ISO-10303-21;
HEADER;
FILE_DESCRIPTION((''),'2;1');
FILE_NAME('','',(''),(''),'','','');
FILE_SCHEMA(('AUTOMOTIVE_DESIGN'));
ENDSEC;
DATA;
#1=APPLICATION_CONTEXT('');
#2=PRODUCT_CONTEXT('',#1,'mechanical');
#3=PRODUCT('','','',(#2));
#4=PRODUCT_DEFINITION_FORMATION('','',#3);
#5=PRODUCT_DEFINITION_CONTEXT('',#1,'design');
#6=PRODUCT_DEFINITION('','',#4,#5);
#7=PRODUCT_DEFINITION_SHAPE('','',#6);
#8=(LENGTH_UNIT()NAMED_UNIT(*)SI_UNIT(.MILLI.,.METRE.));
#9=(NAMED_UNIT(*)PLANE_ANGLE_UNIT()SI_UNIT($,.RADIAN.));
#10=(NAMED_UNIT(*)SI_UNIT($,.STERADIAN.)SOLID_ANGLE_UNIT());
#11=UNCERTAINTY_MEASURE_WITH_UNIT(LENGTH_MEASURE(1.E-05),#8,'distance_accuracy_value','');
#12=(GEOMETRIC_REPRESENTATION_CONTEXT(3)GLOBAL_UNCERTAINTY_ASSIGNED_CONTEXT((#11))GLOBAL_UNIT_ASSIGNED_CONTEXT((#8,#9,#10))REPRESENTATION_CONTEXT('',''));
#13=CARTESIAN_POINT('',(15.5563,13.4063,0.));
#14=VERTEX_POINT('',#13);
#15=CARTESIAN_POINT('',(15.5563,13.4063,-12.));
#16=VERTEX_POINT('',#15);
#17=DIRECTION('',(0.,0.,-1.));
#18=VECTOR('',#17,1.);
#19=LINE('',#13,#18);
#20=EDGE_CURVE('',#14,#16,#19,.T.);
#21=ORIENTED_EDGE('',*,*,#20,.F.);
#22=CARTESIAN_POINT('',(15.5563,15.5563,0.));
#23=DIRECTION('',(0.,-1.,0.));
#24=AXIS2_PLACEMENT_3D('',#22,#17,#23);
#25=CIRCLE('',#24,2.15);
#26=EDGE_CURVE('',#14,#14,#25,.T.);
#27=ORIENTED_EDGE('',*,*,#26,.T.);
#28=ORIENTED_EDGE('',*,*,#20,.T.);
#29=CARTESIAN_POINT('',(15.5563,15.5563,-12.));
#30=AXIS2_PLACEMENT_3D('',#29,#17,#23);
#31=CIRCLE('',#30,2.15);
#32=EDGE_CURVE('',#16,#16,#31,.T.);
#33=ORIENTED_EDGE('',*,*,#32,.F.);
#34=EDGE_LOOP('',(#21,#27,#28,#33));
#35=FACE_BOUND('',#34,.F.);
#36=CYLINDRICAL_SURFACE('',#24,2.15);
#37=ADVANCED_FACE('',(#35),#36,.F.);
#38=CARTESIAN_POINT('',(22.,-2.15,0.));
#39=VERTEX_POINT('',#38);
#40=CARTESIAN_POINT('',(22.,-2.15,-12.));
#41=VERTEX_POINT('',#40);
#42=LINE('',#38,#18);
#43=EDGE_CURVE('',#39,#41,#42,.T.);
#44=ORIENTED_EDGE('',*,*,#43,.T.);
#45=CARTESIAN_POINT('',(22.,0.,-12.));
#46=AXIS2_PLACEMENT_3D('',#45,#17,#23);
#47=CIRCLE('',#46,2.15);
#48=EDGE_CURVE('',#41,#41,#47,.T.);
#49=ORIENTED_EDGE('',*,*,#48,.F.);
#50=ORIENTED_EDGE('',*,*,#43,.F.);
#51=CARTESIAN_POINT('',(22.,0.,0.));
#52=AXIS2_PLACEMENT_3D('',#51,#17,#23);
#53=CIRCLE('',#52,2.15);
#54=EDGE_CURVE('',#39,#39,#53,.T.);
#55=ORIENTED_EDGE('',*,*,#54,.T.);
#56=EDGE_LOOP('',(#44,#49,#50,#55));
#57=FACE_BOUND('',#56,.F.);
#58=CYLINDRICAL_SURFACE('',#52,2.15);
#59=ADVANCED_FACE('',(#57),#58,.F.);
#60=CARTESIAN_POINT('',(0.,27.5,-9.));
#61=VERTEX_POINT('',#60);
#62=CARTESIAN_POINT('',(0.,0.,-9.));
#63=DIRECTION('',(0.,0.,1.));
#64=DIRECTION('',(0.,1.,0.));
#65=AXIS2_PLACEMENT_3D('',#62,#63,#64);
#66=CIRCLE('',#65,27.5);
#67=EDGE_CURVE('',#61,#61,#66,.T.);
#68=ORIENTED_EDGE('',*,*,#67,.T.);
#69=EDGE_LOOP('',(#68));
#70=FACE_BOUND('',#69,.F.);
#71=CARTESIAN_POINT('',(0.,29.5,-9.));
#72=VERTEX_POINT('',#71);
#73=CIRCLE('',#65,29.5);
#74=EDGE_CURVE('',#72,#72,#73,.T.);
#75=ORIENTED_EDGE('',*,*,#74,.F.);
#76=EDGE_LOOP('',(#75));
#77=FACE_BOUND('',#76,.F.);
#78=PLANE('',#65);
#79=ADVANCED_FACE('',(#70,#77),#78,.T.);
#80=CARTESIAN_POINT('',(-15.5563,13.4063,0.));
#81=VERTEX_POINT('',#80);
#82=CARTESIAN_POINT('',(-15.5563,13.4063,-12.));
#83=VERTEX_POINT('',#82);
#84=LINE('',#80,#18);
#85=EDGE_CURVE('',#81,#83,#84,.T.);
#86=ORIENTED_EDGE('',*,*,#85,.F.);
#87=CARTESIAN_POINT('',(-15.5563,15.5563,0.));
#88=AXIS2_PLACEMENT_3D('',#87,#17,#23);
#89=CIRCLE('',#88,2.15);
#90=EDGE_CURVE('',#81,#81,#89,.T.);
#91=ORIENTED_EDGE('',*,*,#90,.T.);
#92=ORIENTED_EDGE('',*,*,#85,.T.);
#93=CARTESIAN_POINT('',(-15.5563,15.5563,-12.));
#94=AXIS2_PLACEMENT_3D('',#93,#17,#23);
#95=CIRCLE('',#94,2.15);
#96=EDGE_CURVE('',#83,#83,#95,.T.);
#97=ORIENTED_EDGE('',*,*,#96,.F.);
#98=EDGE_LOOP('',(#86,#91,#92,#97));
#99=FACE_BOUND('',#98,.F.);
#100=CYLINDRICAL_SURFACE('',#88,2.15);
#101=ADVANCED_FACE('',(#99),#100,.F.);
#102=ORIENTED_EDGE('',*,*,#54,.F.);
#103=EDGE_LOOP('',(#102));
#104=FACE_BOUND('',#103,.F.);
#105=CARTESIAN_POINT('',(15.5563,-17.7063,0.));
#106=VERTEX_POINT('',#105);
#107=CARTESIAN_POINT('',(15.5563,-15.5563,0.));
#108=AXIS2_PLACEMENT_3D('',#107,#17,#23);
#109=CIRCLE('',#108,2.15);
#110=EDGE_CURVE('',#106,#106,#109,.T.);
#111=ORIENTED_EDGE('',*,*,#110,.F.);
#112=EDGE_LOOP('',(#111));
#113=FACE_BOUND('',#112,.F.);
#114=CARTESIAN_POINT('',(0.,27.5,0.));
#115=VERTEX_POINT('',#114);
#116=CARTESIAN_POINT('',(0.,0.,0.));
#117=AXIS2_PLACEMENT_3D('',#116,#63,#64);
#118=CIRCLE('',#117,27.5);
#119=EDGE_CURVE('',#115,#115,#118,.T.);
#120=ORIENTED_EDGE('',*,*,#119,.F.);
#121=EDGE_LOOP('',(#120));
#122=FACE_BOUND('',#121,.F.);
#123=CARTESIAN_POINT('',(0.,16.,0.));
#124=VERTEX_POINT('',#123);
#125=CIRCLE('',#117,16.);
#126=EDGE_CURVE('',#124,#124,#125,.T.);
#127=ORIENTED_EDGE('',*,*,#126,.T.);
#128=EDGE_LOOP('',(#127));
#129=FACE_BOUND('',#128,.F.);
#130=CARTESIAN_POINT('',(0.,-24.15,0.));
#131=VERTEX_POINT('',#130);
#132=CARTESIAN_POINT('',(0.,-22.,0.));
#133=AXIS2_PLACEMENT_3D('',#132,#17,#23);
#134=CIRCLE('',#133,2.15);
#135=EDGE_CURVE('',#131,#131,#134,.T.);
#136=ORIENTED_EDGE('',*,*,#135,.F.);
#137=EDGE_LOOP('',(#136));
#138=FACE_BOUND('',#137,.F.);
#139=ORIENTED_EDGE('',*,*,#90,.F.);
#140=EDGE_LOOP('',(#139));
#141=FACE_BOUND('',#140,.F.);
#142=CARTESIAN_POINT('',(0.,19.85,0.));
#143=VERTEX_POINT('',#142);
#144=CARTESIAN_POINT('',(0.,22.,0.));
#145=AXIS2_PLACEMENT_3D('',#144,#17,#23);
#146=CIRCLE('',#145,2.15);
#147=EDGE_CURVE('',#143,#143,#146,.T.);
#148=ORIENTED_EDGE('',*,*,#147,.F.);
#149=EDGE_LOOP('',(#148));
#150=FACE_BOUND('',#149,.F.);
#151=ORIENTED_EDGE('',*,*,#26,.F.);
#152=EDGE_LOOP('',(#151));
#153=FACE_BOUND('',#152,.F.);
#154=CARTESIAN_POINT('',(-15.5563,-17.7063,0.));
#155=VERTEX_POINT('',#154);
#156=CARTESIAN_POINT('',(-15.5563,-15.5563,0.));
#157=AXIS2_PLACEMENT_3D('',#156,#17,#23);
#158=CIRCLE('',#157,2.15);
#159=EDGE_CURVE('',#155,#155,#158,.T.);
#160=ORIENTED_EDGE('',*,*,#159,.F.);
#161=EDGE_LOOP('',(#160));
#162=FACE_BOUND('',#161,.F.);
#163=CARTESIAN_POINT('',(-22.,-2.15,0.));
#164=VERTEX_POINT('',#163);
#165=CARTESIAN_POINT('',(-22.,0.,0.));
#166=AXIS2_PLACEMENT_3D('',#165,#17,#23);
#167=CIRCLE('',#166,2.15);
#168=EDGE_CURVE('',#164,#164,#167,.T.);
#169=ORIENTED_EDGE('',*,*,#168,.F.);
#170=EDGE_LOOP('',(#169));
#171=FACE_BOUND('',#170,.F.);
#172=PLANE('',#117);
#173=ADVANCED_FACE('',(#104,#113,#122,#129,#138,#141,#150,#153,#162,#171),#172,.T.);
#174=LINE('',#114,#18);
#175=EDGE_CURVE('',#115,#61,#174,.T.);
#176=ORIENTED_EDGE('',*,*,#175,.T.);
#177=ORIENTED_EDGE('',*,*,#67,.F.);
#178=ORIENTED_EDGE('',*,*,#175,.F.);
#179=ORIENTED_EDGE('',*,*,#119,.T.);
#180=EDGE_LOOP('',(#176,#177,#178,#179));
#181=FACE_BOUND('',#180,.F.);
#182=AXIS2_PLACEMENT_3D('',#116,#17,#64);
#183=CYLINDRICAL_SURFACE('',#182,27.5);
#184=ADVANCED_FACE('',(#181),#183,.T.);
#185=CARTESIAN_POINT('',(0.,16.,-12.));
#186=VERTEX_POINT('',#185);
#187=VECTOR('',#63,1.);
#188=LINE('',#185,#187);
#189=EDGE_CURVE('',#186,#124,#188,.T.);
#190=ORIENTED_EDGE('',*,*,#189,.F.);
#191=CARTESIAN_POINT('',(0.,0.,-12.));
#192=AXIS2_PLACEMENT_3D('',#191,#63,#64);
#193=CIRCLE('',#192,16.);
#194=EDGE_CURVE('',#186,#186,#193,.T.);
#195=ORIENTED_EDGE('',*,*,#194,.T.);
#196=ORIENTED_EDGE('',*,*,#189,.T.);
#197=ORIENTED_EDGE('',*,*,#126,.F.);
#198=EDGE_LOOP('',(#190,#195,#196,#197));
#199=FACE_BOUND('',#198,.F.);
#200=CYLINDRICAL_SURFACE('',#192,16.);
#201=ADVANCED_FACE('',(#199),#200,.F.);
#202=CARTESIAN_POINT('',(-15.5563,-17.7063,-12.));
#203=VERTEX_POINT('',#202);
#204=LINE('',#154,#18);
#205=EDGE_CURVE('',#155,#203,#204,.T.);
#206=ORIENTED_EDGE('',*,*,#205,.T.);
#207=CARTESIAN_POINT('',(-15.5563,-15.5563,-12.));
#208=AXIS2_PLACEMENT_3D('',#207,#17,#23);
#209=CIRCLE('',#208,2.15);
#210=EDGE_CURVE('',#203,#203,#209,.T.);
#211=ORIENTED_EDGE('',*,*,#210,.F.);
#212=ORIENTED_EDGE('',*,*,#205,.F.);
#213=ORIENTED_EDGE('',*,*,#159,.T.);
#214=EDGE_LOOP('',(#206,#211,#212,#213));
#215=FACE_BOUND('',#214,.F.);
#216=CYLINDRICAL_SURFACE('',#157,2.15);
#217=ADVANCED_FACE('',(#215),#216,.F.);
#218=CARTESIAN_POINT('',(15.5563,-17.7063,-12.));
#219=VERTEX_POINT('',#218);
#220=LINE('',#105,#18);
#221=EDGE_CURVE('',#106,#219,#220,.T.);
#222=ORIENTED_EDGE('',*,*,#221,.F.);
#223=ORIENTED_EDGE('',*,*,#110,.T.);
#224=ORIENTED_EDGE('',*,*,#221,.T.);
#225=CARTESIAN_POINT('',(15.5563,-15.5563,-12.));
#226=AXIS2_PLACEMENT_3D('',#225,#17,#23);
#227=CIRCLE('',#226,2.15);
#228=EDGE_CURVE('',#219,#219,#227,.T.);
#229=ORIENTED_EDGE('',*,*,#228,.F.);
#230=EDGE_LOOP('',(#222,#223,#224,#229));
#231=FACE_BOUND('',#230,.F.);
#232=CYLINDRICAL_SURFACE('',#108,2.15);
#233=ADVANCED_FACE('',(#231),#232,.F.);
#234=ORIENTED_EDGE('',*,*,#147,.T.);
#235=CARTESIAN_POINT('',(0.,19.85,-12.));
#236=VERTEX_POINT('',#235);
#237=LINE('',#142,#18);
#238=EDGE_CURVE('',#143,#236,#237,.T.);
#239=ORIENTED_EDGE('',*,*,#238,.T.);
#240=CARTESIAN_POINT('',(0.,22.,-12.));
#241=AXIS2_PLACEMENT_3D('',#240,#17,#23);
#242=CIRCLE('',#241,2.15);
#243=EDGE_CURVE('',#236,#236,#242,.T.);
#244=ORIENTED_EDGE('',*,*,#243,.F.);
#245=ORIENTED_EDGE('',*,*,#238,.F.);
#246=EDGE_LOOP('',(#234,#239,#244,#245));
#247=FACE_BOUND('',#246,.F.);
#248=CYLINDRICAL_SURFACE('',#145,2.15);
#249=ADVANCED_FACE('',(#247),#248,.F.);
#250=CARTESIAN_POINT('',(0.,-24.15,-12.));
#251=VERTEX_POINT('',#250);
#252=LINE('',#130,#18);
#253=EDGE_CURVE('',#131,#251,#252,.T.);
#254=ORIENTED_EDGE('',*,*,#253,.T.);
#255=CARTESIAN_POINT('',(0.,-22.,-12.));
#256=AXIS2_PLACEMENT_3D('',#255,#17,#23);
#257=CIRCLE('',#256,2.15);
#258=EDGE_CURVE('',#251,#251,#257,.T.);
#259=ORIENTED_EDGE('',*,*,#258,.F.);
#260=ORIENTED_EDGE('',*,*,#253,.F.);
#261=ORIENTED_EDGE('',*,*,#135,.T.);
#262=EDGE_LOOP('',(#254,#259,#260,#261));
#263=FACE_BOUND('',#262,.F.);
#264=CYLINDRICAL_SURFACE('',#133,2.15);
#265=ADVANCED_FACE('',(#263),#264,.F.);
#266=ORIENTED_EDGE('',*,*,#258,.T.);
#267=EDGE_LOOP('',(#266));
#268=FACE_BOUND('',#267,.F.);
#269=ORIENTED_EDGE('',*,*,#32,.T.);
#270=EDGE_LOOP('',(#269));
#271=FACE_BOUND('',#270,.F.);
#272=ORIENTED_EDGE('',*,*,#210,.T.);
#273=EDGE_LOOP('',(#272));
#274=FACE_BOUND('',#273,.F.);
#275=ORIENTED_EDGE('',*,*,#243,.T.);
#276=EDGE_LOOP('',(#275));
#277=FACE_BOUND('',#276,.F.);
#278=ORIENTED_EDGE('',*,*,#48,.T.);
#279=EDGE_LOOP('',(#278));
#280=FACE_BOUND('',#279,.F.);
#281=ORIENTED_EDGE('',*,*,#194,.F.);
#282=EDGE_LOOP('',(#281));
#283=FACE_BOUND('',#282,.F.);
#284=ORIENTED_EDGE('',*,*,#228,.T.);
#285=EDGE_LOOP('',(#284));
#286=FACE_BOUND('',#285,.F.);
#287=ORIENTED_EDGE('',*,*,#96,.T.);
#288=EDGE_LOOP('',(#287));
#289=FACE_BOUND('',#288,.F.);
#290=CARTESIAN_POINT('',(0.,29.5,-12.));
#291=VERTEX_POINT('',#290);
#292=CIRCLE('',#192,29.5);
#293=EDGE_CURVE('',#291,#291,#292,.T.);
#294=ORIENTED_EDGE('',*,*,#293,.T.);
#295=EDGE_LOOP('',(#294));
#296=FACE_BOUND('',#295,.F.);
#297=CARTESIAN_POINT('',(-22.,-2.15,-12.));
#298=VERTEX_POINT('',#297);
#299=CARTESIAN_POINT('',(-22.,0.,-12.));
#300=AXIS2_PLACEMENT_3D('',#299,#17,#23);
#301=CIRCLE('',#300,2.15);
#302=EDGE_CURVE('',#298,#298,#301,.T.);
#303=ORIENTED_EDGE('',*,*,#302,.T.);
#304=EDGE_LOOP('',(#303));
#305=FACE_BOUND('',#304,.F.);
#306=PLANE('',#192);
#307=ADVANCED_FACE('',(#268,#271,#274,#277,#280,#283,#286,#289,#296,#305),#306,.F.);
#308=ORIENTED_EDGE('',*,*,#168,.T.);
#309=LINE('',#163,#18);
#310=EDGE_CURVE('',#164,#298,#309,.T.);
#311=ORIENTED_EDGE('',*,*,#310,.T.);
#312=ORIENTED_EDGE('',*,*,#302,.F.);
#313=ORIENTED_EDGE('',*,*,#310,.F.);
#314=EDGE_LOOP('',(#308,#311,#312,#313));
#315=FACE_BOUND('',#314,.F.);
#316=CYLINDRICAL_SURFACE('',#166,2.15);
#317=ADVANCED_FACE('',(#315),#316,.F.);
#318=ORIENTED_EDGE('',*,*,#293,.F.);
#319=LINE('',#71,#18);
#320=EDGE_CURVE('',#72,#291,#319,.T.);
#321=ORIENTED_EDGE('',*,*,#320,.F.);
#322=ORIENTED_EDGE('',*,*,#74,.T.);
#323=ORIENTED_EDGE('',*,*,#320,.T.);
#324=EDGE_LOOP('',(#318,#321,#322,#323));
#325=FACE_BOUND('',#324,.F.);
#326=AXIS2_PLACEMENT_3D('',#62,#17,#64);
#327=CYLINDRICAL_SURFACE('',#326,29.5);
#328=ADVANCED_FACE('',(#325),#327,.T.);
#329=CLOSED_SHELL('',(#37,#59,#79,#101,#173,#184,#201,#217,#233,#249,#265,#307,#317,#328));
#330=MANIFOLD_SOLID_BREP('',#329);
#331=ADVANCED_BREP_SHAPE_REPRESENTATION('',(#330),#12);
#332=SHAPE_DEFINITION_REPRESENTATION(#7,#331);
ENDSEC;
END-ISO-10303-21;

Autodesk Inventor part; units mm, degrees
ref_plane "YZ Plane" through (0, 0, 0) normal (1, 0, 0) x (0, 1, 0)
ref_plane "XZ Plane" through (0, 0, 0) normal (0, 1, 0) x (-1, 0, 0)
ref_plane "XY Plane" through (0, 0, 0) normal (0, 0, 1) x (1, 0, 0)
sketch "スケッチ1" plane through (0, 0, 0) normal (1, 0, 0) x (0, 1, 0)
  line L0 (16, 0) -> (27.5, 0)
  line L1 (27.5, 0) -> (27.5, -9)
  line L2 (27.5, -9) -> (29.5, -9)
  line L3 (29.5, -9) -> (29.5, -12)
  line L4 (16, -12) -> (16, 0)
  line L5 (0, -14.4) -> (0, 2.4) projected
  line L6 (29.5, -12) -> (16, -12)
  point P0 (0, 0)
  dimension "d5" = 9
  dimension "d30" = 2
  dimension "d31" = 27.5
  dimension "d32" = 3
  dimension "d33" = 16
revolve "回転1" add sketch "スケッチ1" angle 360 about axis through (0, 0, -10) along (0, 0, 1)
sketch "スケッチ2" plane through (0, 0, 0) normal (0, 0, 1) x (1, 0, 0)
  circle A0 centre (0, 0) radius 22
  point P0 (0, 22)
  point P1 (-15.5563, 15.5563)
  point P2 (-22, 0)
  point P3 (-15.5563, -15.5563)
  point P4 (0, -22)
  point P5 (15.5563, -15.5563)
  point P6 (22, 0)
  point P7 (15.5563, 15.5563)
  dimension "d11" = 44
  dimension "d14" = 360
hole "穴1" at (0, 22, 0) at (-15.5563, 15.5563, 0) at (-22, 0, 0) at (-15.5563, -15.5563, 0) at (0, -22, 0) at (15.5563, -15.5563, 0) at (22, 0, 0) at (15.5563, 15.5563, 0) direction (0, 0, -1) diameter 4.3 end through all clearance for "Socket Head Cap Screw" size "M4" standard "Ansi Metric M Profile"
properties part number "base9"
